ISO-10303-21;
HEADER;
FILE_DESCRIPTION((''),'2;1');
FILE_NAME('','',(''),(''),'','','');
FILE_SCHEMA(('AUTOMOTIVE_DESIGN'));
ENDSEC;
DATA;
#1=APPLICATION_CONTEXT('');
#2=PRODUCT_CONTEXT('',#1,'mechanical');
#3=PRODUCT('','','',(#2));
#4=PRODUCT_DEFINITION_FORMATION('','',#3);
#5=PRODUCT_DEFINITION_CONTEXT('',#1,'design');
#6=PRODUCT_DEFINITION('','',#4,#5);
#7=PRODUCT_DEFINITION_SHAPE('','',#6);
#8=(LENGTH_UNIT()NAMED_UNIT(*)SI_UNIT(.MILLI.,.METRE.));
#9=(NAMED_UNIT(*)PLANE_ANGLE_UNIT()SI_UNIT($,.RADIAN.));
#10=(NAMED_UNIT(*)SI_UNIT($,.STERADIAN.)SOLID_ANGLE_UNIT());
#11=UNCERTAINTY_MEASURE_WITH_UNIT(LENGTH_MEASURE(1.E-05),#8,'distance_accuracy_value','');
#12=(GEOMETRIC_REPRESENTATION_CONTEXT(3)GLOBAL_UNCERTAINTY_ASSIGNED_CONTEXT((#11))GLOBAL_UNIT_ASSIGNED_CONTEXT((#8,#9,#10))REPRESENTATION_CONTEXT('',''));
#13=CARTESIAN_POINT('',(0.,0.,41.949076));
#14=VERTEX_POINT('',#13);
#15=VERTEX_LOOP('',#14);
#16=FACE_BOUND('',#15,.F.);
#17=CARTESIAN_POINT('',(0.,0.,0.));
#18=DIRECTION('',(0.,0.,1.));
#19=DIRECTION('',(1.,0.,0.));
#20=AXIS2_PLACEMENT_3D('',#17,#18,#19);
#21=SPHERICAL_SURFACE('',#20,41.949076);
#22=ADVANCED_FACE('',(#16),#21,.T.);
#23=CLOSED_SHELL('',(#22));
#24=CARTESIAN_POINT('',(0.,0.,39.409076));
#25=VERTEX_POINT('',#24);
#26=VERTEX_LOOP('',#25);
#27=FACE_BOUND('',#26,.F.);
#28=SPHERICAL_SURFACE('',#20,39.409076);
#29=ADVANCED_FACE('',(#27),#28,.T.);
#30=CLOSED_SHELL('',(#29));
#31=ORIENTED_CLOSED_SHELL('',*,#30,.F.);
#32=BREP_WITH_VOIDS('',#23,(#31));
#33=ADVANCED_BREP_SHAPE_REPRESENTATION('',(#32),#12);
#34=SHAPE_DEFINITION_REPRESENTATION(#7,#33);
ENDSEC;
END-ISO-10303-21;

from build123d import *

# Parameters (mm, degrees)
F2_T = -2.54


with BuildPart() as f1:
    # F0 (on Front) → F1 (revolve)
    with BuildSketch(Plane.XZ):
        with BuildLine():
            Line((0, 41.9490757858), (0, -41.9490757858))
            ThreePointArc((0, -41.9490757858), (41.9490757858, 0), (0, 41.9490757858))
        make_face()
    revolve(axis=Axis((0, 0, 0), (0, 0, -1)))

    # F2 (hollow: no face is removed)
    offset(amount=F2_T, mode=Mode.SUBTRACT)


solid = f1.part
